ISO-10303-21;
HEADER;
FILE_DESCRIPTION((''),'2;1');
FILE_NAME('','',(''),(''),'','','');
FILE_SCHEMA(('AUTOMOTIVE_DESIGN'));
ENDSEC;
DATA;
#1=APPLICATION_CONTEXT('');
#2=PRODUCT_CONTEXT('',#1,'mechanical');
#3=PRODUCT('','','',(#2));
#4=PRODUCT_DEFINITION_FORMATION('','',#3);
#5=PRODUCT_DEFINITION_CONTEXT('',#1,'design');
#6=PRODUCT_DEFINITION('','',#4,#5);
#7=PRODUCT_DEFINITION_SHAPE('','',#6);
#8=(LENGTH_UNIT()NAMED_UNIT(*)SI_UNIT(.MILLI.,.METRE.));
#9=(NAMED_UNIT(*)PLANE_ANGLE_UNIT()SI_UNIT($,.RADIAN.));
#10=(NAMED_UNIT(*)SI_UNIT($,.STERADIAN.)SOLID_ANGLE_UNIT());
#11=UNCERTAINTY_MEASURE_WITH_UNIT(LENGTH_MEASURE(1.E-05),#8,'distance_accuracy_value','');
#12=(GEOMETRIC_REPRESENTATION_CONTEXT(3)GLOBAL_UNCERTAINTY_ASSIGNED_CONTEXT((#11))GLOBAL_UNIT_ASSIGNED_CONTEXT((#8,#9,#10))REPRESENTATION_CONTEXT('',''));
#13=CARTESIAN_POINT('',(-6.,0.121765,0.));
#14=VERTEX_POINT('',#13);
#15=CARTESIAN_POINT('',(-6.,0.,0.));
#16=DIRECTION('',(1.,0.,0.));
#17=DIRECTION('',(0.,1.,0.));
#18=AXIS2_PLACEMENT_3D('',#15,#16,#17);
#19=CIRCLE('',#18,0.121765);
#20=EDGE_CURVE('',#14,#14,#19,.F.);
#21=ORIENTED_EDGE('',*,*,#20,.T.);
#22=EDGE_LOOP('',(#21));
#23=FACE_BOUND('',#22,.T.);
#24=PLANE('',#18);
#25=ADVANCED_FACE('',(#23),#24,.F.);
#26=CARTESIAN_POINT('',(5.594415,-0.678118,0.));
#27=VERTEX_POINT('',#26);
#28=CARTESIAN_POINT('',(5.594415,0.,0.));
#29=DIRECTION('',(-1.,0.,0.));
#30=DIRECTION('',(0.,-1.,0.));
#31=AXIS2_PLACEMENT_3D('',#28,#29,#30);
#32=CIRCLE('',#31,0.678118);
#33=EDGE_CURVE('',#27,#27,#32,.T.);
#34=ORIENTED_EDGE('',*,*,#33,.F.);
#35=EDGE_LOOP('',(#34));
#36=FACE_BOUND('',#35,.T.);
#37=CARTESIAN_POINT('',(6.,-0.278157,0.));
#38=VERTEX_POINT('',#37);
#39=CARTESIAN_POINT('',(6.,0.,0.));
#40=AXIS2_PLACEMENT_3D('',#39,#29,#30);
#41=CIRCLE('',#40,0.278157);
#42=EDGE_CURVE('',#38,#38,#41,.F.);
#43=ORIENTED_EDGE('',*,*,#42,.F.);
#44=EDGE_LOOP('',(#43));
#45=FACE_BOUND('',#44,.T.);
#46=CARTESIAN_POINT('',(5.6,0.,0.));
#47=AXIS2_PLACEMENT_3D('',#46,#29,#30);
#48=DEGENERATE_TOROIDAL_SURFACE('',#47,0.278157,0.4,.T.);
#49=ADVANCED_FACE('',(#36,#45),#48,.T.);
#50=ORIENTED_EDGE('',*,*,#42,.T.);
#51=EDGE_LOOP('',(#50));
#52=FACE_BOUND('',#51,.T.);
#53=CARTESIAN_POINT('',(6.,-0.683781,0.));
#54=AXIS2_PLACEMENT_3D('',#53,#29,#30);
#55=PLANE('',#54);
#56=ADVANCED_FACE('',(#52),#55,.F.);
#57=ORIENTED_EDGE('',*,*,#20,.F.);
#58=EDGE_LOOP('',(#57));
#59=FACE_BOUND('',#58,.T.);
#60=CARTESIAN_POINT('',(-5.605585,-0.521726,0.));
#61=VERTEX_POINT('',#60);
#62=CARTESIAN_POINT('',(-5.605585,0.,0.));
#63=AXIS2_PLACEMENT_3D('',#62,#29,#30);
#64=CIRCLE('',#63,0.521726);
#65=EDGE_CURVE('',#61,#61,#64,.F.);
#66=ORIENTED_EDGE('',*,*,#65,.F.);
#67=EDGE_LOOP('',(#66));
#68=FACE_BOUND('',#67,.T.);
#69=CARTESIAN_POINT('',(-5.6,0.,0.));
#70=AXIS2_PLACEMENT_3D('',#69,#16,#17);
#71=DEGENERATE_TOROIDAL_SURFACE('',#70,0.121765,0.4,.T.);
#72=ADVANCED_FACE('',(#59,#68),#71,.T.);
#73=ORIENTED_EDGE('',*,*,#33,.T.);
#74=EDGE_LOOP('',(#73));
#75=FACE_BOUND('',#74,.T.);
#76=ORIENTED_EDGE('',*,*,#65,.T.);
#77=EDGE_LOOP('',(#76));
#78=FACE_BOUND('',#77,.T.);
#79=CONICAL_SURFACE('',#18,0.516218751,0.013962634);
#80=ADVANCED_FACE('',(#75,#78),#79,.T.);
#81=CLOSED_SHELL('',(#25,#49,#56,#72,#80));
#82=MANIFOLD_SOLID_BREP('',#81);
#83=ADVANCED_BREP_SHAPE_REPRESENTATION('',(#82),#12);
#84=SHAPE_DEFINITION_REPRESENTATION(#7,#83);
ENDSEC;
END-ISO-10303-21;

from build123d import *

# Parameters (mm, degrees)
FILLET1_R = 0.4


with BuildPart() as part:
    # Sketch2 → Revolve1 (revolve)
    with BuildSketch(Plane.XY):
        Polygon((6, 0), (-6, 0), (-6, -0.516218751), (6, -0.683781249), align=None)
    revolve(axis=Axis((6, 0, 0), (-1, 0, 0)))

    # Fillet1
    fillet1_edges = [part.edges().sort_by_distance(p)[0] for p in [
        (6, 0.683781249, 0),
        (-6, 0.516218751, 0),
    ]]
    fillet(fillet1_edges, radius=FILLET1_R)


solid = part.part
